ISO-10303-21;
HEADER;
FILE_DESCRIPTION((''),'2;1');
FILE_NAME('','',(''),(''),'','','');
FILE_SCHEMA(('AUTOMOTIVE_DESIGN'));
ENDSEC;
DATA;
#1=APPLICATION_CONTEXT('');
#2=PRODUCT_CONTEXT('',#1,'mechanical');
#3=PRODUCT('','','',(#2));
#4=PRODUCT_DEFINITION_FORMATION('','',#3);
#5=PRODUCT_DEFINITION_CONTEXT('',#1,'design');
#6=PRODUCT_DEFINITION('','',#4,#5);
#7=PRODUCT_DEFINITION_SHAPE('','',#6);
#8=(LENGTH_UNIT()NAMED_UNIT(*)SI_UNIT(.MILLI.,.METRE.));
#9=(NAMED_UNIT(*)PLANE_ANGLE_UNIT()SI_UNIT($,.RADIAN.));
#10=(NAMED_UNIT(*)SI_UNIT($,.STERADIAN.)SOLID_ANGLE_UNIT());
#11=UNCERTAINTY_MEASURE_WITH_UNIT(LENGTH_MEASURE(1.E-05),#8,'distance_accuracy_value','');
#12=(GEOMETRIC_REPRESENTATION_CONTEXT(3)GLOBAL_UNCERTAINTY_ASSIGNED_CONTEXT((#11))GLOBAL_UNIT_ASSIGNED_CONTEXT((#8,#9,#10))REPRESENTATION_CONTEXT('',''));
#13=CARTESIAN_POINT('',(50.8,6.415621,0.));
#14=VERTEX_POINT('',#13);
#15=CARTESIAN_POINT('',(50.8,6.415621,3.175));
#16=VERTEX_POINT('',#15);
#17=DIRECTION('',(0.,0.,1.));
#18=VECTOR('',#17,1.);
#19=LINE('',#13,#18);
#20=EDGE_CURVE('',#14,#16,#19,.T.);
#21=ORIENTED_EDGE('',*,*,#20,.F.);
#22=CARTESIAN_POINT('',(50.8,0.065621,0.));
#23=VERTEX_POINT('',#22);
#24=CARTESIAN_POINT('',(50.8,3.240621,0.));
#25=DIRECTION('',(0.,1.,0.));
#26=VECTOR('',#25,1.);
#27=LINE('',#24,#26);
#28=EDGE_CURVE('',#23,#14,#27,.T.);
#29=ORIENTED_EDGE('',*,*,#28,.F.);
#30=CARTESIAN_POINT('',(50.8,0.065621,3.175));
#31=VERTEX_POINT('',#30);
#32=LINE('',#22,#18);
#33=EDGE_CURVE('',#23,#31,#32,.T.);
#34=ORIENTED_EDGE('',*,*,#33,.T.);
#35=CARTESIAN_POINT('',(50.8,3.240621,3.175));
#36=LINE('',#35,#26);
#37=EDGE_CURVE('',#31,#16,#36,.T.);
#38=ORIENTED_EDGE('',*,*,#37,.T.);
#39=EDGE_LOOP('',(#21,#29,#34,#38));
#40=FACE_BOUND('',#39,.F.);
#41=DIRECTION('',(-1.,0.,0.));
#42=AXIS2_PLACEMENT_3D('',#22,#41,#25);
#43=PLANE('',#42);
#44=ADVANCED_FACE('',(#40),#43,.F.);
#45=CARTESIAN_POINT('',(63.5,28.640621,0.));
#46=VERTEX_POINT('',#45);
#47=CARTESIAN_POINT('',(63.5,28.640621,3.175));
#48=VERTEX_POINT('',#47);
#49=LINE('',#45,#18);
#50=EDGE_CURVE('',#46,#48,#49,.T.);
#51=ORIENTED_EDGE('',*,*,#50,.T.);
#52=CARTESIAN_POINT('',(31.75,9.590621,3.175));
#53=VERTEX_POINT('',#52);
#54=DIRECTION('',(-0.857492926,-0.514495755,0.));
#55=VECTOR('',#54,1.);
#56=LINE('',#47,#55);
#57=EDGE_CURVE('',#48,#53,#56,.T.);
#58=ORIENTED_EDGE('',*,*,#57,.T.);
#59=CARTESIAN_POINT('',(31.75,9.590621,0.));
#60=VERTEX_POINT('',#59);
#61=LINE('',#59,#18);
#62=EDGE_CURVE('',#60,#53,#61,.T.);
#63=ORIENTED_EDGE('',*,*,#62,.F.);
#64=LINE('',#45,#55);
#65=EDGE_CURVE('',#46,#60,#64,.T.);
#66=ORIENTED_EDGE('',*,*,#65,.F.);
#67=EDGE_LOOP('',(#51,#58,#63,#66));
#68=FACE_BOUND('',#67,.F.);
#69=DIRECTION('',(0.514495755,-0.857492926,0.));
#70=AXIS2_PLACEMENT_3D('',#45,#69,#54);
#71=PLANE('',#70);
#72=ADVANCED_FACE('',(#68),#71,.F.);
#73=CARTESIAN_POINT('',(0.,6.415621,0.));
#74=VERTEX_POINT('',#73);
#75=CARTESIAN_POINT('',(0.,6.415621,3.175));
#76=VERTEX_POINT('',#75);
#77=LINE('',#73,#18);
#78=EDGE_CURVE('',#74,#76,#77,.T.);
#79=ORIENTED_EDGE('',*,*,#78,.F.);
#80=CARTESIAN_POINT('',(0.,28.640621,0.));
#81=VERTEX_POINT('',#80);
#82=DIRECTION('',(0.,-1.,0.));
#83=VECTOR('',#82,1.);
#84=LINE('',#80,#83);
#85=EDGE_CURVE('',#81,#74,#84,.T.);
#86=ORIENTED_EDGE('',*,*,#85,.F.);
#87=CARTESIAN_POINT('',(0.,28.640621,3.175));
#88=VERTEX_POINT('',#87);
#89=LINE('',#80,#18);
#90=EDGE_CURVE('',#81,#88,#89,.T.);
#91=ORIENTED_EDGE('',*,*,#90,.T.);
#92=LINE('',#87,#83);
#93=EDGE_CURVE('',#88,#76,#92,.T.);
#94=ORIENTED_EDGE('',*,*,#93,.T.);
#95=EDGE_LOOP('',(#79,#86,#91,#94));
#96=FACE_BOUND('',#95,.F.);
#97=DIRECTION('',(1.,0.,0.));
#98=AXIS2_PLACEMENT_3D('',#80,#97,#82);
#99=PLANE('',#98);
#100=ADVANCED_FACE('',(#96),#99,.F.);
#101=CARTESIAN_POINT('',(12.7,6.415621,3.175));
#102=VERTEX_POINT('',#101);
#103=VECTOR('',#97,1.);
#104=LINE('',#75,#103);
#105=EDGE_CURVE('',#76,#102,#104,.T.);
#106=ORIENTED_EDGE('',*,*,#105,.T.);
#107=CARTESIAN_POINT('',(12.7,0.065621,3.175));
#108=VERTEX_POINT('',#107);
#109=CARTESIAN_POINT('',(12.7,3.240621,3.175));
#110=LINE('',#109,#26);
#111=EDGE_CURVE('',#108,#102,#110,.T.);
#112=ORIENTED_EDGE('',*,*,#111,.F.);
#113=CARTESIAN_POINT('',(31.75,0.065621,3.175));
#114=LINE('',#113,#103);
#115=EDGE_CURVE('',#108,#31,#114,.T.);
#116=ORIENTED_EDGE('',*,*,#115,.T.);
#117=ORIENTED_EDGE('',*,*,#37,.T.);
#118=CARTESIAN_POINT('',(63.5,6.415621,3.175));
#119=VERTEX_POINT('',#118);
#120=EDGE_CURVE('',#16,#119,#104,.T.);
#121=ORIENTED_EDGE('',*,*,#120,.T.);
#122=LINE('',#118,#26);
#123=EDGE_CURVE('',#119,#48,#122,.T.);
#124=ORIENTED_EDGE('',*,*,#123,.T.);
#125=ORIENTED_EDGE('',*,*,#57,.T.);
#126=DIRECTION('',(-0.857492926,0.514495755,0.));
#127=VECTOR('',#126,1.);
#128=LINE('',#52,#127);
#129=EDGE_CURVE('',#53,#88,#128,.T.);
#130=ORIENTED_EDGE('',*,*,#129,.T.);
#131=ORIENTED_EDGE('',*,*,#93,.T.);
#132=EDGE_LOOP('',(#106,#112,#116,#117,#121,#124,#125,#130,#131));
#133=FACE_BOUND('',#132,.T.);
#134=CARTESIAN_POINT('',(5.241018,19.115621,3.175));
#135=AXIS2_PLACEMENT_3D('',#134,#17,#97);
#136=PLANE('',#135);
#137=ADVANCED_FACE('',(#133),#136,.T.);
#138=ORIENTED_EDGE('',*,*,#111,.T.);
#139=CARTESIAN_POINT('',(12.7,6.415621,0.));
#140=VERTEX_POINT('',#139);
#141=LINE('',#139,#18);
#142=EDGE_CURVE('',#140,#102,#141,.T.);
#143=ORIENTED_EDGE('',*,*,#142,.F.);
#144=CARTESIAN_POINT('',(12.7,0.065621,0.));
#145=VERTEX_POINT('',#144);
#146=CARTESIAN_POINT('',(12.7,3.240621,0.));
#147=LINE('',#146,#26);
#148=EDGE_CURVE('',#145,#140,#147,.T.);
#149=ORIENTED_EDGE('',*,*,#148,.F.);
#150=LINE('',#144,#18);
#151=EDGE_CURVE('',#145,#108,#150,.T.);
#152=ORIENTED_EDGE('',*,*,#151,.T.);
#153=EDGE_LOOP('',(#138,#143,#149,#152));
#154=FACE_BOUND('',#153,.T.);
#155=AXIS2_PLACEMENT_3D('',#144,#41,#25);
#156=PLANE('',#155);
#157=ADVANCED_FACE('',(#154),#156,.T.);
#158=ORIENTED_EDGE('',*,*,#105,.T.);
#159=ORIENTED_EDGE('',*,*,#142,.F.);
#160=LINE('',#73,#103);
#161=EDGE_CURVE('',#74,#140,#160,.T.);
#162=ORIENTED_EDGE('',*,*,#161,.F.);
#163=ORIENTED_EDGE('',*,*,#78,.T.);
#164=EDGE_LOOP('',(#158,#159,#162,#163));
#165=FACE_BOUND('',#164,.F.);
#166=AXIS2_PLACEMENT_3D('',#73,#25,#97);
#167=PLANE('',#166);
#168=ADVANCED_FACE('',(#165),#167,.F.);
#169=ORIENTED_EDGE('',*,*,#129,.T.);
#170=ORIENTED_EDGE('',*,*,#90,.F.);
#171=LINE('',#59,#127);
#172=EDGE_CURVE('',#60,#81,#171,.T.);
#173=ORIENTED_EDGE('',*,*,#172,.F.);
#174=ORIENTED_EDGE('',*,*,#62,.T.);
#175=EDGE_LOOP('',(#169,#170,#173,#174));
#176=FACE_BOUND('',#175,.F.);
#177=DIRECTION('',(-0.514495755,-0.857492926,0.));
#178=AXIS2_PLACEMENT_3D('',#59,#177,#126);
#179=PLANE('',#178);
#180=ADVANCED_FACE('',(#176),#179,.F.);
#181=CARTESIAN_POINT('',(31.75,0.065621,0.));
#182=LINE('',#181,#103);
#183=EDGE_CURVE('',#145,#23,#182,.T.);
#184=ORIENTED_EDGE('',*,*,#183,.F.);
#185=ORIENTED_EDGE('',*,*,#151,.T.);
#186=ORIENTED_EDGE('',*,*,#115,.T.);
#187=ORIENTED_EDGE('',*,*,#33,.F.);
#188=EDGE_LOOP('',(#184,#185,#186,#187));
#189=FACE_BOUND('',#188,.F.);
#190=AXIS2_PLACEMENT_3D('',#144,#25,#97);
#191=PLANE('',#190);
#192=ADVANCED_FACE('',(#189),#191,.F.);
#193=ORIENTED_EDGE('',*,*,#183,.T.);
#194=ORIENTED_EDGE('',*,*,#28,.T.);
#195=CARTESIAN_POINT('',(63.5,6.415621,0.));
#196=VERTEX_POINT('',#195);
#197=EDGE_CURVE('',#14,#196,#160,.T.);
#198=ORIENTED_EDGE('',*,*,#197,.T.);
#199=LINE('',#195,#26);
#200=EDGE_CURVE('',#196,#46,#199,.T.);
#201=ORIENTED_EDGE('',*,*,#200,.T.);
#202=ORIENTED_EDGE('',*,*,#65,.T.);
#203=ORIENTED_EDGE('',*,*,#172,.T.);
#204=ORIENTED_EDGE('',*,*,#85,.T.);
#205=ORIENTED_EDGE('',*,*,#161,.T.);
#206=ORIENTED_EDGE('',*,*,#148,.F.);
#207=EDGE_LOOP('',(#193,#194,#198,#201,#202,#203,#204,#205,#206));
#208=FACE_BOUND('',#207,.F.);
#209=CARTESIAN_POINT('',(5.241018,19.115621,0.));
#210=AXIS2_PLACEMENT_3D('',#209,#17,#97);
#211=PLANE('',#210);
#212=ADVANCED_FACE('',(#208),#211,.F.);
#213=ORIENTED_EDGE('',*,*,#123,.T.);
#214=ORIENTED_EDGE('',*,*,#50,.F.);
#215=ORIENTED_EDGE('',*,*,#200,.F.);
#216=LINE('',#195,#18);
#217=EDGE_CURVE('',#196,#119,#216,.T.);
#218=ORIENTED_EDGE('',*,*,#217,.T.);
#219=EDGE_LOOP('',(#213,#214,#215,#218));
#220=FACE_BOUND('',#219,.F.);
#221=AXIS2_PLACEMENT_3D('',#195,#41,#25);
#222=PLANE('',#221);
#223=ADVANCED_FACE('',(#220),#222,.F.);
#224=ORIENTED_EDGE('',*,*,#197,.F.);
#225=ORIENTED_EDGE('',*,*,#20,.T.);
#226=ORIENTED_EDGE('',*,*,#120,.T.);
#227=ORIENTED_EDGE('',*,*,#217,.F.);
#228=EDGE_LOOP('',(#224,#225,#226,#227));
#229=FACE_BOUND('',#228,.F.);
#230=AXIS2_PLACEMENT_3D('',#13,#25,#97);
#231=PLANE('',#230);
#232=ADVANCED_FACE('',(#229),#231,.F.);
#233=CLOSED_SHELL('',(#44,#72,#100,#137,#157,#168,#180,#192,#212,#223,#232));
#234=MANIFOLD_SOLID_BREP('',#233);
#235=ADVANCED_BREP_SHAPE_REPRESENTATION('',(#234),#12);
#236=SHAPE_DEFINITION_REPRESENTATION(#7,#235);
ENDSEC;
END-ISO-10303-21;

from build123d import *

# Parameters (mm, degrees)
F0_W     = 38.1
F0_H     = 6.35
F1_DEPTH = 3.175


with BuildPart() as f1:
    # F0 (on Top) → F1 (new body)
    with BuildSketch(Plane.XY):
        Polygon((0, 28.6406210477), (0, 9.5906210477), (15.875, 19.1156210477), align=None)
        Polygon((15.875, 19.1156210477), (0, 9.5906210477), (31.75, 9.5906210477), align=None)
        Polygon((47.625, 19.1156210477), (31.75, 9.5906210477), (63.5, 9.5906210477), align=None)
        Polygon((47.625, 19.1156210477), (63.5, 9.5906210477), (63.5, 28.6406210477), align=None)
        Polygon((0, 9.5906210477), (0, 6.4156210477), (12.7, 6.4156210477), (50.8, 6.4156210477), (63.5, 6.4156210477), (63.5, 9.5906210477), (31.75, 9.5906210477), align=None)
        with Locations((31.75, 3.2406210477)):
            Rectangle(F0_W, F0_H)
    extrude(amount=F1_DEPTH)


solid = f1.part
